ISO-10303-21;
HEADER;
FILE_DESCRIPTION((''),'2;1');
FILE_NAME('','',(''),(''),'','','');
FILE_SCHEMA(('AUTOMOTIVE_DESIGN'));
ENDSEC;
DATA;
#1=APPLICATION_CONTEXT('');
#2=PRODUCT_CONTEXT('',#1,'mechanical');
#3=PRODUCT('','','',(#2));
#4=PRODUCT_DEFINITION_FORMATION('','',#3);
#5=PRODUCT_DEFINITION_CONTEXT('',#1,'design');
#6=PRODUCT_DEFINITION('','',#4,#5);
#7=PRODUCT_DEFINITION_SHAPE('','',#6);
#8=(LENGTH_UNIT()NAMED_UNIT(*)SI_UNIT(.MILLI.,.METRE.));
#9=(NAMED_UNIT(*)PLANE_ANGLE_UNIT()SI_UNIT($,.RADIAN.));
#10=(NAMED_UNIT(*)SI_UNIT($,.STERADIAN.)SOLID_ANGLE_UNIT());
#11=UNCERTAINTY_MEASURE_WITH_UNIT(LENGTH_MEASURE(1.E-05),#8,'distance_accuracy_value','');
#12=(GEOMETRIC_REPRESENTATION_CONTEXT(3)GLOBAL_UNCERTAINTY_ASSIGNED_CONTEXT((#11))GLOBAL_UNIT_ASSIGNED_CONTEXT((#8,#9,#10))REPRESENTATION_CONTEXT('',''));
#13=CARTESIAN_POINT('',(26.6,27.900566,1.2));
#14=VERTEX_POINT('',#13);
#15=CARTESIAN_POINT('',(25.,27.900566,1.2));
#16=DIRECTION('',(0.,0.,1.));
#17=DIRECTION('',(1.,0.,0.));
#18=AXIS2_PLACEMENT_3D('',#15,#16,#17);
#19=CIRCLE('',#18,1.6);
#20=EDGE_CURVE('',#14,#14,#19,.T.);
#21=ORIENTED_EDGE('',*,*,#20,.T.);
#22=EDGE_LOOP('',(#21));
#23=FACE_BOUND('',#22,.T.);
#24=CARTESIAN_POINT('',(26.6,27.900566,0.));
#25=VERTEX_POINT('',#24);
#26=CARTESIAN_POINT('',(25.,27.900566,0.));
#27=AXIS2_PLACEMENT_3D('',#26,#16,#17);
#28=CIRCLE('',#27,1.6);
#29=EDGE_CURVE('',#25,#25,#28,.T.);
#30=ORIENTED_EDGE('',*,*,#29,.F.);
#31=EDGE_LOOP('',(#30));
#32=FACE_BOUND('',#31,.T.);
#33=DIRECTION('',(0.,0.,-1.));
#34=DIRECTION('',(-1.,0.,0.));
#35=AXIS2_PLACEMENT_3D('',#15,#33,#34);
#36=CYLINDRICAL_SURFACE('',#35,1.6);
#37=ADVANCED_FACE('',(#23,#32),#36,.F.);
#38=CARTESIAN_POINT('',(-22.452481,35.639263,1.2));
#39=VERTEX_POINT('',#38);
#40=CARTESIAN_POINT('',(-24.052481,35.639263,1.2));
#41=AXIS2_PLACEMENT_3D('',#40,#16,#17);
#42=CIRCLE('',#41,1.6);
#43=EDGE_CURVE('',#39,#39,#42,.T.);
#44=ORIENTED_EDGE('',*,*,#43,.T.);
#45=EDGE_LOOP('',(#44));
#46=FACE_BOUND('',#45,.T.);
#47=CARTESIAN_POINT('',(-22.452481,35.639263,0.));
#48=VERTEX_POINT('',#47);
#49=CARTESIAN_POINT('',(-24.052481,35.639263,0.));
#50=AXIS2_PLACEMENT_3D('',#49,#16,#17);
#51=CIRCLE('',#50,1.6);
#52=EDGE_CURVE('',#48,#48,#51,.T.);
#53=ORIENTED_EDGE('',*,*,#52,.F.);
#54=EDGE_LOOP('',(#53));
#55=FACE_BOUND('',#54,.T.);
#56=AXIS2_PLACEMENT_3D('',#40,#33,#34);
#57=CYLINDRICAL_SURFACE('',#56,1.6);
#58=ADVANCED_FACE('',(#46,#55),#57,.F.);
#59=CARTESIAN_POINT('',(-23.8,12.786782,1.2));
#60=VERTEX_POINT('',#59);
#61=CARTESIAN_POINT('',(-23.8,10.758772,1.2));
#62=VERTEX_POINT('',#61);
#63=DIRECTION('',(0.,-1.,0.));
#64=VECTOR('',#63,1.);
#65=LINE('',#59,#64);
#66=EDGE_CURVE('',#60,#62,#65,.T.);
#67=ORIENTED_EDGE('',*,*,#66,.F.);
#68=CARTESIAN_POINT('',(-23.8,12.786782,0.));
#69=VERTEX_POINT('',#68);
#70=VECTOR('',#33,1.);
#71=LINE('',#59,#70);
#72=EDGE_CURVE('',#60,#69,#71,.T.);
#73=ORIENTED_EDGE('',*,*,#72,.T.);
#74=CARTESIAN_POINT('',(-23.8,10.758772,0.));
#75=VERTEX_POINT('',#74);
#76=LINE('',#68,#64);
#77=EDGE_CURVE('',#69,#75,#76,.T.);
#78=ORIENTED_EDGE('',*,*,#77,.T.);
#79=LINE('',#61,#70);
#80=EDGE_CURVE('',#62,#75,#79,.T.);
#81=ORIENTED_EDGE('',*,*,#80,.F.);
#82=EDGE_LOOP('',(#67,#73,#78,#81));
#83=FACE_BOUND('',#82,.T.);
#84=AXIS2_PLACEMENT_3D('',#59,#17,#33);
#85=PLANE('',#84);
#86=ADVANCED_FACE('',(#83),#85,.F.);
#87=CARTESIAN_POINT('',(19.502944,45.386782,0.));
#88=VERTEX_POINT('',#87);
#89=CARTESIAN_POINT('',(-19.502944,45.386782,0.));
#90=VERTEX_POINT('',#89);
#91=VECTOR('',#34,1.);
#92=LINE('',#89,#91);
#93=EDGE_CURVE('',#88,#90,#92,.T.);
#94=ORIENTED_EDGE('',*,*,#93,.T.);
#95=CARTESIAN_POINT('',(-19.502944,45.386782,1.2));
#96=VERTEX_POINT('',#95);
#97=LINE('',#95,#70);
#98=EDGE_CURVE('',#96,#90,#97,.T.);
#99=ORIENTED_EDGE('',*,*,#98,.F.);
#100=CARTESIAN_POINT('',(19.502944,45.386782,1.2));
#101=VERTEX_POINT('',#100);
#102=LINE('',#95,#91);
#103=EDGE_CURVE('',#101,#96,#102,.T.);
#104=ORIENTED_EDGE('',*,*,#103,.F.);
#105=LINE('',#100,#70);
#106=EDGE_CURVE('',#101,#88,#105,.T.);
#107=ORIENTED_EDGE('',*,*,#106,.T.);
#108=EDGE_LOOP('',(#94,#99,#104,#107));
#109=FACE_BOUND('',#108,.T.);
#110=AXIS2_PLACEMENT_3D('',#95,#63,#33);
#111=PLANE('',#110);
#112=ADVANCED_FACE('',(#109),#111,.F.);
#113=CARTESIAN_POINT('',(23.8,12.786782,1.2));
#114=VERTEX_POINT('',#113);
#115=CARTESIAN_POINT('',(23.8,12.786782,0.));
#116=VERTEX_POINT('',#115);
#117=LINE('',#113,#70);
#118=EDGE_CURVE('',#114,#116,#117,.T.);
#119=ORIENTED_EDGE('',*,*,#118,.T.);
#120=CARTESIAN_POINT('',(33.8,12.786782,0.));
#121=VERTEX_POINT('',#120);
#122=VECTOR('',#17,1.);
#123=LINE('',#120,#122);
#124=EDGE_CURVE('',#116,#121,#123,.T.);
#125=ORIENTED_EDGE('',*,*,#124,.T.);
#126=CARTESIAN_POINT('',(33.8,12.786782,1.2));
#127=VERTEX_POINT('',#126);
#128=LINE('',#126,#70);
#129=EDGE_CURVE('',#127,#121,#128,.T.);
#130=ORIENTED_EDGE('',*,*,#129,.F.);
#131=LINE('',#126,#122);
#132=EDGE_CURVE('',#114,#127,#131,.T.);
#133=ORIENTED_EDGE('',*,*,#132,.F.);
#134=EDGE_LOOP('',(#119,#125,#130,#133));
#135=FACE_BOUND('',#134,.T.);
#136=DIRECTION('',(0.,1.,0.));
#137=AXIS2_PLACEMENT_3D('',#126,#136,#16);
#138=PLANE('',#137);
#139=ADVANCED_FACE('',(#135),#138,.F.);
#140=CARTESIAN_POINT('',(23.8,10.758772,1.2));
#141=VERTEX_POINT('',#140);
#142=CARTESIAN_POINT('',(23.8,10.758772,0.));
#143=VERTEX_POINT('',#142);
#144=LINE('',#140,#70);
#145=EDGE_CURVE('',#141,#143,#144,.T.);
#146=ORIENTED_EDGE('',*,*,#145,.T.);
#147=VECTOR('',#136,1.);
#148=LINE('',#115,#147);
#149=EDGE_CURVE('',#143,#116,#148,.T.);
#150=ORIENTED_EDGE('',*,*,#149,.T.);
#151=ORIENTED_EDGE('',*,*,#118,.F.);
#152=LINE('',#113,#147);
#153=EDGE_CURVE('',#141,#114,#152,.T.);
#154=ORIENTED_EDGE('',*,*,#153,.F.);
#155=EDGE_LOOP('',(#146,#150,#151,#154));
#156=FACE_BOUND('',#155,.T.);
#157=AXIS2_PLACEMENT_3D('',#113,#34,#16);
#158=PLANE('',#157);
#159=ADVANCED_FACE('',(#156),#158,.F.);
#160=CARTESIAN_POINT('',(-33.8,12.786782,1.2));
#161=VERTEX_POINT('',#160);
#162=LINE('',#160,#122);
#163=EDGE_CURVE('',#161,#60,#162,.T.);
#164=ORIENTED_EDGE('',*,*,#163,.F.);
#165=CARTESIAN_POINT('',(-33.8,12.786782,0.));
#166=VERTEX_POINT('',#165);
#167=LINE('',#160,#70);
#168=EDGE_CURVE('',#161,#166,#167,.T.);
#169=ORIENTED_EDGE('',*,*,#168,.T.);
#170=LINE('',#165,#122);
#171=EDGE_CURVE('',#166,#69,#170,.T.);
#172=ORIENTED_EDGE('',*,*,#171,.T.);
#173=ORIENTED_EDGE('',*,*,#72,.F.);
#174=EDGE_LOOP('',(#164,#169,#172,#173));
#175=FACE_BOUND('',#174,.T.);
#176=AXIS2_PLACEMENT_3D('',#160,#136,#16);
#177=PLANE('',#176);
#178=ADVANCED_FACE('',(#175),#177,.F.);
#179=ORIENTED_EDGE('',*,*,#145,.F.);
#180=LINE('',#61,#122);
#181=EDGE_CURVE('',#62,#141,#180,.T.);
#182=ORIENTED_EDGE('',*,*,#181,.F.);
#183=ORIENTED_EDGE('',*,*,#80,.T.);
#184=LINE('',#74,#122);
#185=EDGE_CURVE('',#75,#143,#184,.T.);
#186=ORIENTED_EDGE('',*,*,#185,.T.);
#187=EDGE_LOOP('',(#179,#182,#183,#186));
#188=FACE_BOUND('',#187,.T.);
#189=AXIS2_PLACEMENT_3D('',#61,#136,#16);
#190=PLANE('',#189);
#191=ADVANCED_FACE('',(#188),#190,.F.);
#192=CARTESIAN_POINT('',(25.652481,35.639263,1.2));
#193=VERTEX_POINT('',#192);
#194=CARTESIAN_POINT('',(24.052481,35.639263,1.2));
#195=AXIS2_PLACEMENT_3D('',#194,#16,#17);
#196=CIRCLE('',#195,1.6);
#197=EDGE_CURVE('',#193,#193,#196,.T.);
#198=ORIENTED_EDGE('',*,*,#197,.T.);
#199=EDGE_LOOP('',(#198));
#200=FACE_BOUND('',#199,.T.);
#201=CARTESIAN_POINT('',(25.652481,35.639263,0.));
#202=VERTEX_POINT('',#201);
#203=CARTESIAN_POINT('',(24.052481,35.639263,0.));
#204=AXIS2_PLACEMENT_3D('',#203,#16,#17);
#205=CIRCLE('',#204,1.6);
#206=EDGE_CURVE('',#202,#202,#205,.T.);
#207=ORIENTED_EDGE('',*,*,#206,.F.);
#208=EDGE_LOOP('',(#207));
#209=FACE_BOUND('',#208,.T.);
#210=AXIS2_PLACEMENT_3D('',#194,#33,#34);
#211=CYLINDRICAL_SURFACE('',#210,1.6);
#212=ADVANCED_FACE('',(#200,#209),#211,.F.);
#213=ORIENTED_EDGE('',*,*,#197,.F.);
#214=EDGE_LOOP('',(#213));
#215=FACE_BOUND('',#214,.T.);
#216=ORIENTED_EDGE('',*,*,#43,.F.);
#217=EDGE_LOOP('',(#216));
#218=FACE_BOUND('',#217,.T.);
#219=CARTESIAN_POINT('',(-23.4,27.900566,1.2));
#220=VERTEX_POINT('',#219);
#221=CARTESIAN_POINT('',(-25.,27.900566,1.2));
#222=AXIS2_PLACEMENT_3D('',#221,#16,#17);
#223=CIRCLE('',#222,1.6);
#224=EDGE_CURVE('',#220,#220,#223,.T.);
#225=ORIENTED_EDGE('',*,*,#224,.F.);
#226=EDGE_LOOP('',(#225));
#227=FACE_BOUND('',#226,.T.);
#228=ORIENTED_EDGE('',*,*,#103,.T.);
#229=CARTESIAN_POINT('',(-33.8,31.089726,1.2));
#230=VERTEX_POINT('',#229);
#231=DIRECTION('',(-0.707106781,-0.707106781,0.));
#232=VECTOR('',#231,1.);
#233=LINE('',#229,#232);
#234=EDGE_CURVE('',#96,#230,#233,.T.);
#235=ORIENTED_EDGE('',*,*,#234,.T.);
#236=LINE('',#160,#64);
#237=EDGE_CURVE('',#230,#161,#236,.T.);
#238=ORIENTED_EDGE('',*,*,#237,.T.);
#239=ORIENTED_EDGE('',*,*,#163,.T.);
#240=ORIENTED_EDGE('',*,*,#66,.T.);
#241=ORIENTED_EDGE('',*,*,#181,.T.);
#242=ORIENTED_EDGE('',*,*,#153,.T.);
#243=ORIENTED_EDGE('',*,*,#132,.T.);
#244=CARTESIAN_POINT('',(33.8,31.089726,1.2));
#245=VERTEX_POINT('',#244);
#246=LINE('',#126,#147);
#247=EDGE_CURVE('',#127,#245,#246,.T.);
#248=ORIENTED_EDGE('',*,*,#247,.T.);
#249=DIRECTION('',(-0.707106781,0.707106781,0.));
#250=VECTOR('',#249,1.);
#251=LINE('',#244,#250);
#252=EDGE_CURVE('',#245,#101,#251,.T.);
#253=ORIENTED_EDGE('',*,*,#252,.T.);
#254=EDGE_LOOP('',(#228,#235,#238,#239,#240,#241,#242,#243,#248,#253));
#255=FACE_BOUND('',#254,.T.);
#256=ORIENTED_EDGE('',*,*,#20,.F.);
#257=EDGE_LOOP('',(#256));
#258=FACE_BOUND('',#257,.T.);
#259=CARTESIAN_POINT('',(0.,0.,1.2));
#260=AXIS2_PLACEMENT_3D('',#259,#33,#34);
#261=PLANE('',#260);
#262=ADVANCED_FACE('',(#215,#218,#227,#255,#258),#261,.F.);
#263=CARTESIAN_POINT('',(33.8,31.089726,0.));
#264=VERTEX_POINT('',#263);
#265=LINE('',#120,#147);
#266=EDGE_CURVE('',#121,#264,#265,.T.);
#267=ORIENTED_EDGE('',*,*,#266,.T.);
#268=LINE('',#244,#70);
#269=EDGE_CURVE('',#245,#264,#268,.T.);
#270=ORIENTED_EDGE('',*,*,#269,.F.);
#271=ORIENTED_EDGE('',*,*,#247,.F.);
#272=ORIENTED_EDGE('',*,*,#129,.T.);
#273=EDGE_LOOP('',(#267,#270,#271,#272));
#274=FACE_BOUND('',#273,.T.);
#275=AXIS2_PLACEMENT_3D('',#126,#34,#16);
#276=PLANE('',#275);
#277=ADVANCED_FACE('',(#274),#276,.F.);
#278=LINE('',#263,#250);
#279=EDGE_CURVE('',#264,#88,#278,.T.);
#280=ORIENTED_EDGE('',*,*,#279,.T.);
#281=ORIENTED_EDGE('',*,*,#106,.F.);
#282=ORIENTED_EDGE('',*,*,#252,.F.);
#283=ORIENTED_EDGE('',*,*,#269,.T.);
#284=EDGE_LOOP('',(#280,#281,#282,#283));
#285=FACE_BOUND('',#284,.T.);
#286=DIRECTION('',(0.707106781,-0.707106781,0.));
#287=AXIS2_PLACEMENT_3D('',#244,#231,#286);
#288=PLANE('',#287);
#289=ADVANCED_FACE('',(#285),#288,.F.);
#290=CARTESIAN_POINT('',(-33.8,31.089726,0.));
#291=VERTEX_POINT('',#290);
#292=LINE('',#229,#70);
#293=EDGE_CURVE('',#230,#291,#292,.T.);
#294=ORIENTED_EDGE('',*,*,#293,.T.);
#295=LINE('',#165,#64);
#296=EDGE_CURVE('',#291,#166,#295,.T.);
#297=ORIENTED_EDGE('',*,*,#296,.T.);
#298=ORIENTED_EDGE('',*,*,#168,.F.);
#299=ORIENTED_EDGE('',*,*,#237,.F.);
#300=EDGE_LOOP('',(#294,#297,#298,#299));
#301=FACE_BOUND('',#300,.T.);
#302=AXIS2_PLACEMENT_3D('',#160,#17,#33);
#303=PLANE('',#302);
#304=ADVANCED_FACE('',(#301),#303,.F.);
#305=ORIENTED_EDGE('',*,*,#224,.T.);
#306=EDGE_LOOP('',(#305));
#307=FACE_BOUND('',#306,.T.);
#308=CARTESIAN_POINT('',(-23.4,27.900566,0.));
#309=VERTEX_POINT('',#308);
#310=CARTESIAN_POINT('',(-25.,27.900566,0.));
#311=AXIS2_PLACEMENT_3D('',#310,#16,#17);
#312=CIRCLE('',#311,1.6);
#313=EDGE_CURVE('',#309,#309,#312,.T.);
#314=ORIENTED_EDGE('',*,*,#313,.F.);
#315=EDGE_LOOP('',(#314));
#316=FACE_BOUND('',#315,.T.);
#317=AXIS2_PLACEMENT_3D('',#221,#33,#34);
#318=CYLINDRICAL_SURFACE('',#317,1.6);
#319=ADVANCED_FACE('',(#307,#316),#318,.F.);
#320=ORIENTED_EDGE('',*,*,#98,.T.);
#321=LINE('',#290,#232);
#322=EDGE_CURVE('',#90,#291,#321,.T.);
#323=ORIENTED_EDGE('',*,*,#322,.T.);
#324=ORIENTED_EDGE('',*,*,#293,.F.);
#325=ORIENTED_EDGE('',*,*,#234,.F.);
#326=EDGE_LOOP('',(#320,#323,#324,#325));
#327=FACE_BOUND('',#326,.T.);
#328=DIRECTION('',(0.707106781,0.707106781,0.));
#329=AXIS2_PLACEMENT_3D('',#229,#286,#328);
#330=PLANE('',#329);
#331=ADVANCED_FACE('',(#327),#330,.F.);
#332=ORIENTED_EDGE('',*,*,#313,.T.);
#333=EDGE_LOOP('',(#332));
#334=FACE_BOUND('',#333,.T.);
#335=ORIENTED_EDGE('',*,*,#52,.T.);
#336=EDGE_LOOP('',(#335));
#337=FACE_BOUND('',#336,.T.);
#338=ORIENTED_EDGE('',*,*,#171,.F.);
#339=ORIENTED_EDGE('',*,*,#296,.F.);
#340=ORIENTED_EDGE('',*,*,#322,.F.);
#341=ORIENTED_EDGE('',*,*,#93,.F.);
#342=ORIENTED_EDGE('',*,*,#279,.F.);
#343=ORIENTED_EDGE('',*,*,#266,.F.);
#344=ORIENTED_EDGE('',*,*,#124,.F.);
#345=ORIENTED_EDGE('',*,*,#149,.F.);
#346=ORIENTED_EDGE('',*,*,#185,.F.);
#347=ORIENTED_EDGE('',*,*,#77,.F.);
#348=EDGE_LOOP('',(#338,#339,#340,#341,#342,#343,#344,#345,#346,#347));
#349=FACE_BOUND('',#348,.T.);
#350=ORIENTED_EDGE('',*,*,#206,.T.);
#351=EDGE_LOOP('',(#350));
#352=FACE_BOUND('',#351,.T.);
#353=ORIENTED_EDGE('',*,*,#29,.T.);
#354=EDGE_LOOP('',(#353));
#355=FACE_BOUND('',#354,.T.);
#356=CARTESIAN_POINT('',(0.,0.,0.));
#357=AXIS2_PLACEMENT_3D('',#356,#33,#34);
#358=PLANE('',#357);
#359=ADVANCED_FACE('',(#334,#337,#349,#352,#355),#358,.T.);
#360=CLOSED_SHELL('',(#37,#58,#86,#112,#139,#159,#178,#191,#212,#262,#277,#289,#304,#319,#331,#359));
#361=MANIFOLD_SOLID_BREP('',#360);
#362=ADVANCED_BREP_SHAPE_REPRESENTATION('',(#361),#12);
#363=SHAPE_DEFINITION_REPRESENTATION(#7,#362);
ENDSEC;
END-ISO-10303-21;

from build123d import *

# Parameters (mm, degrees)
SKETCH1_R           = 1.6
BOSS_EXTRUDE1_DEPTH = 1.2


with BuildPart() as part:
    # Sketch1 → Boss-Extrude1 (new body)
    with BuildSketch(Plane.XY):
        Polygon((-33.8, 12.786782193), (-33.8, 31.089725919), (-19.502943725, 45.386782193), (19.502943725, 45.386782193), (33.8, 31.089725919), (33.8, 12.786782193), (23.8, 12.786782193), (23.8, 10.758772246), (-23.8, 10.758772246), (-23.8, 12.786782193), align=None)
        with Locations((-25, 27.900566449)):
            Circle(SKETCH1_R, mode=Mode.SUBTRACT)
        with Locations((25, 27.900566449)):
            Circle(SKETCH1_R, mode=Mode.SUBTRACT)
        with Locations((-24.052480502, 35.639262695)):
            Circle(SKETCH1_R, mode=Mode.SUBTRACT)
        with Locations((24.052480502, 35.639262695)):
            Circle(SKETCH1_R, mode=Mode.SUBTRACT)
    extrude(amount=BOSS_EXTRUDE1_DEPTH)


solid = part.part
